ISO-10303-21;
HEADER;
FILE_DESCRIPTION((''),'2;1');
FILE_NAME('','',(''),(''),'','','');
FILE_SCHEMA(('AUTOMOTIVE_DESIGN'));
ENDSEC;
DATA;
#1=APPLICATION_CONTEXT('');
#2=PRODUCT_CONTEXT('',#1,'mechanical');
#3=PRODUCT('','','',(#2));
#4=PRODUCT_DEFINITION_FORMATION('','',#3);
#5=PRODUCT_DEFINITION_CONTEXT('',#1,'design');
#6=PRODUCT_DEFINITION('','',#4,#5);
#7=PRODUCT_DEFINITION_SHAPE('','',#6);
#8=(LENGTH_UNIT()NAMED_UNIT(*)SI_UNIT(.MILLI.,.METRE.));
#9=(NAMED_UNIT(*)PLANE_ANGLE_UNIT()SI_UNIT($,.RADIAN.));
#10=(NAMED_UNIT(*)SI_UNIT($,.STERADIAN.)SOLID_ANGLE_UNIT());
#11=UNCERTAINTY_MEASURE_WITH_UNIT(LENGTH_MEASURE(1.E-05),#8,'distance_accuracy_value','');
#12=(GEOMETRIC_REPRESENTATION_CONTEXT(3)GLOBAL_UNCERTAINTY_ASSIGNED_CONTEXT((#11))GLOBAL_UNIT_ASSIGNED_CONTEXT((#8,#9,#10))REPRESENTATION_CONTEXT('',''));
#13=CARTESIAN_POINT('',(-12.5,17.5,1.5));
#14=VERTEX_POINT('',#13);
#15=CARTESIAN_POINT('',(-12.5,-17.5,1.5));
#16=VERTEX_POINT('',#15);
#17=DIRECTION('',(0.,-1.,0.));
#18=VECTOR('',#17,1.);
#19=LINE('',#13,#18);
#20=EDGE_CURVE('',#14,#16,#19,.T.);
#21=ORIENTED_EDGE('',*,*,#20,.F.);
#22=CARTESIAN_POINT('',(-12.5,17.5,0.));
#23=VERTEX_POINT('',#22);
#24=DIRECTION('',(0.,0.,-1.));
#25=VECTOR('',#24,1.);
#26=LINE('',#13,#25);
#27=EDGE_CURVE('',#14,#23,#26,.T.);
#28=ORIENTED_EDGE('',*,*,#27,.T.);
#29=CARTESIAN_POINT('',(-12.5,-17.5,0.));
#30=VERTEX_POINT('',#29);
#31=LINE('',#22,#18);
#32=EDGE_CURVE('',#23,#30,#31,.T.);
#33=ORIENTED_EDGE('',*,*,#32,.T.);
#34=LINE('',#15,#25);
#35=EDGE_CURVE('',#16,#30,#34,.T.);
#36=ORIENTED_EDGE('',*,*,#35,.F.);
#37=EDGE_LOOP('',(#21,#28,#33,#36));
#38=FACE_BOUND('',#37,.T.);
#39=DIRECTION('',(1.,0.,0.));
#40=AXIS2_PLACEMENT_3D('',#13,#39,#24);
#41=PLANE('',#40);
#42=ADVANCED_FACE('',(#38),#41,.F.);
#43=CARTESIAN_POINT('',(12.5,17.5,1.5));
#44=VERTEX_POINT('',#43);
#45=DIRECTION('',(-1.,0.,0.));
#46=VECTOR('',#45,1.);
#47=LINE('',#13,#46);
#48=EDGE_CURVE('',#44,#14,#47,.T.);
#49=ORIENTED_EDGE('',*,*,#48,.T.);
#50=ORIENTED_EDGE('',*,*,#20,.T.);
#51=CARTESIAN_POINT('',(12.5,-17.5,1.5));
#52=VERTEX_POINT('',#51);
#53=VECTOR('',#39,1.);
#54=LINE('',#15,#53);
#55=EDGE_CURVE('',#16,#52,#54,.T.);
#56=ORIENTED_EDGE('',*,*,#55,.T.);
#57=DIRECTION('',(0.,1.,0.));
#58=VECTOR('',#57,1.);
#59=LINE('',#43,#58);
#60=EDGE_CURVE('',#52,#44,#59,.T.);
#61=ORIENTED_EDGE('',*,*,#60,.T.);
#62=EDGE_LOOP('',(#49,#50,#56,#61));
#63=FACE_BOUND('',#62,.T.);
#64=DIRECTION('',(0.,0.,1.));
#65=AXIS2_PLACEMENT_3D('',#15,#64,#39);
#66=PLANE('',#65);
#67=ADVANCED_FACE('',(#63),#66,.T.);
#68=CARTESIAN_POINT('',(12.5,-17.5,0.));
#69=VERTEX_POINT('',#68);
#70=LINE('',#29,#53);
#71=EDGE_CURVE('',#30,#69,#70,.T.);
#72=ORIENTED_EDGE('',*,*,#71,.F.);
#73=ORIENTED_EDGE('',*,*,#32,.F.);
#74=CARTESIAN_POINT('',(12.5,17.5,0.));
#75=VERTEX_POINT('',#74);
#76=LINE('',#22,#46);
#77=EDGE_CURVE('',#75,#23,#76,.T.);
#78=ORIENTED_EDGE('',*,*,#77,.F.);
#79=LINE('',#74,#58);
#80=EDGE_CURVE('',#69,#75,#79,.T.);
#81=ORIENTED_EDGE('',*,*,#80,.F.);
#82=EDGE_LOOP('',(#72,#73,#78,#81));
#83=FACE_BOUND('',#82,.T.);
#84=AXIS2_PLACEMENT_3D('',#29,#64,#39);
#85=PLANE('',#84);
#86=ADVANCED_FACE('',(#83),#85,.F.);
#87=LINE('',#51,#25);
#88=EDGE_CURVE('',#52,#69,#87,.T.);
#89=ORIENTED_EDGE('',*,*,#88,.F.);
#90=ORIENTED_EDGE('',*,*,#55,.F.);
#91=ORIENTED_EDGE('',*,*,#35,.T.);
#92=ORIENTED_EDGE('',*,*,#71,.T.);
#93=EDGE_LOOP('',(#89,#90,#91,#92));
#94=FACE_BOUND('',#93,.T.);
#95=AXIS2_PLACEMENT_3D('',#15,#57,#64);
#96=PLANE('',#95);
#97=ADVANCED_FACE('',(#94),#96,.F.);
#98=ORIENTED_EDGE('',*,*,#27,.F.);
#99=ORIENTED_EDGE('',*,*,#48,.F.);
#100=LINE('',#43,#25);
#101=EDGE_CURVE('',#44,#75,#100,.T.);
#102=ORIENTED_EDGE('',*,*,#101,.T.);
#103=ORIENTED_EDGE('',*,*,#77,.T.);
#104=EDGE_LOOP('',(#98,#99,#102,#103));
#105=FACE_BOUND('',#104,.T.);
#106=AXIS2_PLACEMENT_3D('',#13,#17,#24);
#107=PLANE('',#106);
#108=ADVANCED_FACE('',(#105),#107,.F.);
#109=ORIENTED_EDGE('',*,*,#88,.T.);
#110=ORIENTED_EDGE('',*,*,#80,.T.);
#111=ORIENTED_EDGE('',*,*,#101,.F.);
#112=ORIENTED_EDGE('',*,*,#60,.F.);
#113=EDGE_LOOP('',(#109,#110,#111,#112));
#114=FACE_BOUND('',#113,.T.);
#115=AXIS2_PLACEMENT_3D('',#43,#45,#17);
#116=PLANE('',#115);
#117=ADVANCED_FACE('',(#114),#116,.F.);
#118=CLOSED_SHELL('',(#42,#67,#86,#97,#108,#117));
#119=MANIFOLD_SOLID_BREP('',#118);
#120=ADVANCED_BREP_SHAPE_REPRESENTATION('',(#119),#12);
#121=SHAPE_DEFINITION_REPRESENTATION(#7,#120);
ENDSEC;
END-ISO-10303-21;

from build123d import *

# Parameters (mm, degrees)
SKETCH_1_W      = 25
SKETCH_1_H      = 35
EXTRUDE_1_DEPTH = 1.5


with BuildPart() as part:
    # Эскиз1 → Вытянуть1 (new body)
    with BuildSketch(Plane.XY):
        Rectangle(SKETCH_1_W, SKETCH_1_H)
    extrude(amount=EXTRUDE_1_DEPTH)


solid = part.part
